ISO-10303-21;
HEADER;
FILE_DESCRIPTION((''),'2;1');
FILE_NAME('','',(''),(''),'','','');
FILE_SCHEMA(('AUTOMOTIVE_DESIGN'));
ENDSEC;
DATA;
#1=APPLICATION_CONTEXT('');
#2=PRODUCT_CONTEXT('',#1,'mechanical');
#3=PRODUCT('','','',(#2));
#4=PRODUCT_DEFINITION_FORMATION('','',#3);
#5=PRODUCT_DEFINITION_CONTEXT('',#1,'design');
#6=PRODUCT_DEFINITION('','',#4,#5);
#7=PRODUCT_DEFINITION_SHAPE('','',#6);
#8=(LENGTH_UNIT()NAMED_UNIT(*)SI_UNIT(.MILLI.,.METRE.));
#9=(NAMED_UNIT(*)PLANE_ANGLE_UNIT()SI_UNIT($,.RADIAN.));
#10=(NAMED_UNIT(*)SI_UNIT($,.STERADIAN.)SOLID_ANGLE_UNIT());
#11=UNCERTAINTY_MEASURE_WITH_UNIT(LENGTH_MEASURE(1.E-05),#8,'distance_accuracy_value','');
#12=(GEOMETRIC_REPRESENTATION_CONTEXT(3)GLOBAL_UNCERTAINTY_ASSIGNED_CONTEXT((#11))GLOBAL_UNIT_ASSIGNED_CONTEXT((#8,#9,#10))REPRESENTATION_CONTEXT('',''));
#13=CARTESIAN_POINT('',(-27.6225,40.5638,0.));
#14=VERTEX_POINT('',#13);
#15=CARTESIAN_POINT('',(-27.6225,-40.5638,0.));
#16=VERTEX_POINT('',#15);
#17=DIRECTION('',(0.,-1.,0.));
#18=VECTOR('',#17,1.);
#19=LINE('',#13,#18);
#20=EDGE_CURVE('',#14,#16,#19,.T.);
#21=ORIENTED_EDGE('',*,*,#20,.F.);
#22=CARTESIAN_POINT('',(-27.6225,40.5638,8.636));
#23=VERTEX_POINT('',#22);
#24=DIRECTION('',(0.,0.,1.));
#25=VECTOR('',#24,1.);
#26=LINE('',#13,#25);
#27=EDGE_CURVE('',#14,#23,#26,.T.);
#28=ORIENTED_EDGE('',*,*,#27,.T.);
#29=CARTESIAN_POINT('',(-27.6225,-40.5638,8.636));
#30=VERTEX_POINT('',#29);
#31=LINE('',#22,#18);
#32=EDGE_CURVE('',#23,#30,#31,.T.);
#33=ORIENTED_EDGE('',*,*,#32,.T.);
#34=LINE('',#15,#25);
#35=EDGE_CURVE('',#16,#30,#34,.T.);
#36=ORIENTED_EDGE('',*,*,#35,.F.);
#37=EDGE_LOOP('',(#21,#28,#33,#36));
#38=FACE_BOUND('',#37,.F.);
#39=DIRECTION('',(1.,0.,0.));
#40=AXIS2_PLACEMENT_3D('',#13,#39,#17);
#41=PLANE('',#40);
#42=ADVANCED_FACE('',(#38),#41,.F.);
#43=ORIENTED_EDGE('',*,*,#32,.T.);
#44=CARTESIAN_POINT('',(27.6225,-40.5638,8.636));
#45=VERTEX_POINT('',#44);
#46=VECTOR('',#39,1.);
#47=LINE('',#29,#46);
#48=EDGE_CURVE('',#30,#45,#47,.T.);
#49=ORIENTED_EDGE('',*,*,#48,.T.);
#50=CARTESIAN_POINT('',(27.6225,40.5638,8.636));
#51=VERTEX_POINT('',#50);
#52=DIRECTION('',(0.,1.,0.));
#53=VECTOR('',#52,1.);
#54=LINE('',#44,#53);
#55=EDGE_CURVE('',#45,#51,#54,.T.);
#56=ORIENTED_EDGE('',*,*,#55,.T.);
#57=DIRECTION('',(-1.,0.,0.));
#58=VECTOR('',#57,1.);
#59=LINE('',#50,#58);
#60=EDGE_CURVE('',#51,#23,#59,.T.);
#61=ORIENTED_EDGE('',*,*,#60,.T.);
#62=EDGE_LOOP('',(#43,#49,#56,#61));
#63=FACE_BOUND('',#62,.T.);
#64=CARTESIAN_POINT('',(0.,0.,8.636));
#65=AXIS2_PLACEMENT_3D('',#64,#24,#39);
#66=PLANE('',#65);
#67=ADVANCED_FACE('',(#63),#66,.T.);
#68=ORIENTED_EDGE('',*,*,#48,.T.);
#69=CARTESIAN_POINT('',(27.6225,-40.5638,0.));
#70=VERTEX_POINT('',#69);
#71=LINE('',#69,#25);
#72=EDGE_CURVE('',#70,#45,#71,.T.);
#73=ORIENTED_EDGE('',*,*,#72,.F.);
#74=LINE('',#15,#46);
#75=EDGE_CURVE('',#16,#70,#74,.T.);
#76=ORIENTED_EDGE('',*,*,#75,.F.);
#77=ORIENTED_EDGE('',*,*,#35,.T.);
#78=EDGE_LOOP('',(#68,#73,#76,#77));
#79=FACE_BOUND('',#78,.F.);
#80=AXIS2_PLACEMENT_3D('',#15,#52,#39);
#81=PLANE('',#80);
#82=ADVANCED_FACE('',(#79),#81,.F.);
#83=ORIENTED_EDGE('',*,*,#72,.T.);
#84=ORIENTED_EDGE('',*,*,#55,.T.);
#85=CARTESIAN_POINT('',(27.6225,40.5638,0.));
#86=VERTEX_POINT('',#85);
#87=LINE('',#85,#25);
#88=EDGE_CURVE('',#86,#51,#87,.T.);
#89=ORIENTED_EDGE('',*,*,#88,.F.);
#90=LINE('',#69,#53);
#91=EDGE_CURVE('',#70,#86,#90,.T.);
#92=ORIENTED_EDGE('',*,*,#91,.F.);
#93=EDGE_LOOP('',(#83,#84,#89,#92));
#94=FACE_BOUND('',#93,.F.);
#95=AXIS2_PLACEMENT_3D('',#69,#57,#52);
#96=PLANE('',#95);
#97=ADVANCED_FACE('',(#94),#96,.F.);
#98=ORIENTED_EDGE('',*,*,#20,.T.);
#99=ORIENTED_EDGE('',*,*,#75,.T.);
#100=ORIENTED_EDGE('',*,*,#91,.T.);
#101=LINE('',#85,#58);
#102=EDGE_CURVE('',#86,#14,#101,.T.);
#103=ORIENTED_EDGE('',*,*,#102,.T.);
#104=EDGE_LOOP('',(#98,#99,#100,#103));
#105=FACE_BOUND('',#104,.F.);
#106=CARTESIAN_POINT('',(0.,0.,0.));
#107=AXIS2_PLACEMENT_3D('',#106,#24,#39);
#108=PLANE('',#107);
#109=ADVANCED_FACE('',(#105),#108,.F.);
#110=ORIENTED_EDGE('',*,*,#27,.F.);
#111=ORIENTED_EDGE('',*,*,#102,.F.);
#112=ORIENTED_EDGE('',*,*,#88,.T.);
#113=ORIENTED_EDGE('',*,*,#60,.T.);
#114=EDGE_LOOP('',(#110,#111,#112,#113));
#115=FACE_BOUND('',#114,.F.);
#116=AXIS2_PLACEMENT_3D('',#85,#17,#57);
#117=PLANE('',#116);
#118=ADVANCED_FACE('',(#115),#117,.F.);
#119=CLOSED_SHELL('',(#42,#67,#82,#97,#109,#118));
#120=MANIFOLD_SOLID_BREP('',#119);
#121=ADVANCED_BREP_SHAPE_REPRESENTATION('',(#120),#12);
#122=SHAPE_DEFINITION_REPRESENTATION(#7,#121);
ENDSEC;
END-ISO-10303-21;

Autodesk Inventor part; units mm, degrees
ref_plane "YZ Plane" through (0, 0, 0) normal (1, 0, 0) x (0, 1, 0)
ref_plane "XZ Plane" through (0, 0, 0) normal (0, 1, 0) x (-1, 0, 0)
ref_plane "XY Plane" through (0, 0, 0) normal (0, 0, 1) x (1, 0, 0)
sketch "Sketch1" plane through (0, 0, 0) normal (0, 0, 1) x (1, 0, 0)
  line L0 (-27.6225, -40.5638) -> (27.6225, -40.5638)
  line L1 (27.6225, -40.5638) -> (27.6225, 40.5638)
  line L2 (27.6225, 40.5638) -> (-27.6225, 40.5638)
  line L3 (-27.6225, 40.5638) -> (-27.6225, -40.5638)
  point P0 (0, 0)
  dimension "d0" = 55.245
  dimension "d1" = 81.1276
extrude "Extrusion1" add sketch "Sketch1" along normal blind 8.636
properties part number "cwbreadboard"
